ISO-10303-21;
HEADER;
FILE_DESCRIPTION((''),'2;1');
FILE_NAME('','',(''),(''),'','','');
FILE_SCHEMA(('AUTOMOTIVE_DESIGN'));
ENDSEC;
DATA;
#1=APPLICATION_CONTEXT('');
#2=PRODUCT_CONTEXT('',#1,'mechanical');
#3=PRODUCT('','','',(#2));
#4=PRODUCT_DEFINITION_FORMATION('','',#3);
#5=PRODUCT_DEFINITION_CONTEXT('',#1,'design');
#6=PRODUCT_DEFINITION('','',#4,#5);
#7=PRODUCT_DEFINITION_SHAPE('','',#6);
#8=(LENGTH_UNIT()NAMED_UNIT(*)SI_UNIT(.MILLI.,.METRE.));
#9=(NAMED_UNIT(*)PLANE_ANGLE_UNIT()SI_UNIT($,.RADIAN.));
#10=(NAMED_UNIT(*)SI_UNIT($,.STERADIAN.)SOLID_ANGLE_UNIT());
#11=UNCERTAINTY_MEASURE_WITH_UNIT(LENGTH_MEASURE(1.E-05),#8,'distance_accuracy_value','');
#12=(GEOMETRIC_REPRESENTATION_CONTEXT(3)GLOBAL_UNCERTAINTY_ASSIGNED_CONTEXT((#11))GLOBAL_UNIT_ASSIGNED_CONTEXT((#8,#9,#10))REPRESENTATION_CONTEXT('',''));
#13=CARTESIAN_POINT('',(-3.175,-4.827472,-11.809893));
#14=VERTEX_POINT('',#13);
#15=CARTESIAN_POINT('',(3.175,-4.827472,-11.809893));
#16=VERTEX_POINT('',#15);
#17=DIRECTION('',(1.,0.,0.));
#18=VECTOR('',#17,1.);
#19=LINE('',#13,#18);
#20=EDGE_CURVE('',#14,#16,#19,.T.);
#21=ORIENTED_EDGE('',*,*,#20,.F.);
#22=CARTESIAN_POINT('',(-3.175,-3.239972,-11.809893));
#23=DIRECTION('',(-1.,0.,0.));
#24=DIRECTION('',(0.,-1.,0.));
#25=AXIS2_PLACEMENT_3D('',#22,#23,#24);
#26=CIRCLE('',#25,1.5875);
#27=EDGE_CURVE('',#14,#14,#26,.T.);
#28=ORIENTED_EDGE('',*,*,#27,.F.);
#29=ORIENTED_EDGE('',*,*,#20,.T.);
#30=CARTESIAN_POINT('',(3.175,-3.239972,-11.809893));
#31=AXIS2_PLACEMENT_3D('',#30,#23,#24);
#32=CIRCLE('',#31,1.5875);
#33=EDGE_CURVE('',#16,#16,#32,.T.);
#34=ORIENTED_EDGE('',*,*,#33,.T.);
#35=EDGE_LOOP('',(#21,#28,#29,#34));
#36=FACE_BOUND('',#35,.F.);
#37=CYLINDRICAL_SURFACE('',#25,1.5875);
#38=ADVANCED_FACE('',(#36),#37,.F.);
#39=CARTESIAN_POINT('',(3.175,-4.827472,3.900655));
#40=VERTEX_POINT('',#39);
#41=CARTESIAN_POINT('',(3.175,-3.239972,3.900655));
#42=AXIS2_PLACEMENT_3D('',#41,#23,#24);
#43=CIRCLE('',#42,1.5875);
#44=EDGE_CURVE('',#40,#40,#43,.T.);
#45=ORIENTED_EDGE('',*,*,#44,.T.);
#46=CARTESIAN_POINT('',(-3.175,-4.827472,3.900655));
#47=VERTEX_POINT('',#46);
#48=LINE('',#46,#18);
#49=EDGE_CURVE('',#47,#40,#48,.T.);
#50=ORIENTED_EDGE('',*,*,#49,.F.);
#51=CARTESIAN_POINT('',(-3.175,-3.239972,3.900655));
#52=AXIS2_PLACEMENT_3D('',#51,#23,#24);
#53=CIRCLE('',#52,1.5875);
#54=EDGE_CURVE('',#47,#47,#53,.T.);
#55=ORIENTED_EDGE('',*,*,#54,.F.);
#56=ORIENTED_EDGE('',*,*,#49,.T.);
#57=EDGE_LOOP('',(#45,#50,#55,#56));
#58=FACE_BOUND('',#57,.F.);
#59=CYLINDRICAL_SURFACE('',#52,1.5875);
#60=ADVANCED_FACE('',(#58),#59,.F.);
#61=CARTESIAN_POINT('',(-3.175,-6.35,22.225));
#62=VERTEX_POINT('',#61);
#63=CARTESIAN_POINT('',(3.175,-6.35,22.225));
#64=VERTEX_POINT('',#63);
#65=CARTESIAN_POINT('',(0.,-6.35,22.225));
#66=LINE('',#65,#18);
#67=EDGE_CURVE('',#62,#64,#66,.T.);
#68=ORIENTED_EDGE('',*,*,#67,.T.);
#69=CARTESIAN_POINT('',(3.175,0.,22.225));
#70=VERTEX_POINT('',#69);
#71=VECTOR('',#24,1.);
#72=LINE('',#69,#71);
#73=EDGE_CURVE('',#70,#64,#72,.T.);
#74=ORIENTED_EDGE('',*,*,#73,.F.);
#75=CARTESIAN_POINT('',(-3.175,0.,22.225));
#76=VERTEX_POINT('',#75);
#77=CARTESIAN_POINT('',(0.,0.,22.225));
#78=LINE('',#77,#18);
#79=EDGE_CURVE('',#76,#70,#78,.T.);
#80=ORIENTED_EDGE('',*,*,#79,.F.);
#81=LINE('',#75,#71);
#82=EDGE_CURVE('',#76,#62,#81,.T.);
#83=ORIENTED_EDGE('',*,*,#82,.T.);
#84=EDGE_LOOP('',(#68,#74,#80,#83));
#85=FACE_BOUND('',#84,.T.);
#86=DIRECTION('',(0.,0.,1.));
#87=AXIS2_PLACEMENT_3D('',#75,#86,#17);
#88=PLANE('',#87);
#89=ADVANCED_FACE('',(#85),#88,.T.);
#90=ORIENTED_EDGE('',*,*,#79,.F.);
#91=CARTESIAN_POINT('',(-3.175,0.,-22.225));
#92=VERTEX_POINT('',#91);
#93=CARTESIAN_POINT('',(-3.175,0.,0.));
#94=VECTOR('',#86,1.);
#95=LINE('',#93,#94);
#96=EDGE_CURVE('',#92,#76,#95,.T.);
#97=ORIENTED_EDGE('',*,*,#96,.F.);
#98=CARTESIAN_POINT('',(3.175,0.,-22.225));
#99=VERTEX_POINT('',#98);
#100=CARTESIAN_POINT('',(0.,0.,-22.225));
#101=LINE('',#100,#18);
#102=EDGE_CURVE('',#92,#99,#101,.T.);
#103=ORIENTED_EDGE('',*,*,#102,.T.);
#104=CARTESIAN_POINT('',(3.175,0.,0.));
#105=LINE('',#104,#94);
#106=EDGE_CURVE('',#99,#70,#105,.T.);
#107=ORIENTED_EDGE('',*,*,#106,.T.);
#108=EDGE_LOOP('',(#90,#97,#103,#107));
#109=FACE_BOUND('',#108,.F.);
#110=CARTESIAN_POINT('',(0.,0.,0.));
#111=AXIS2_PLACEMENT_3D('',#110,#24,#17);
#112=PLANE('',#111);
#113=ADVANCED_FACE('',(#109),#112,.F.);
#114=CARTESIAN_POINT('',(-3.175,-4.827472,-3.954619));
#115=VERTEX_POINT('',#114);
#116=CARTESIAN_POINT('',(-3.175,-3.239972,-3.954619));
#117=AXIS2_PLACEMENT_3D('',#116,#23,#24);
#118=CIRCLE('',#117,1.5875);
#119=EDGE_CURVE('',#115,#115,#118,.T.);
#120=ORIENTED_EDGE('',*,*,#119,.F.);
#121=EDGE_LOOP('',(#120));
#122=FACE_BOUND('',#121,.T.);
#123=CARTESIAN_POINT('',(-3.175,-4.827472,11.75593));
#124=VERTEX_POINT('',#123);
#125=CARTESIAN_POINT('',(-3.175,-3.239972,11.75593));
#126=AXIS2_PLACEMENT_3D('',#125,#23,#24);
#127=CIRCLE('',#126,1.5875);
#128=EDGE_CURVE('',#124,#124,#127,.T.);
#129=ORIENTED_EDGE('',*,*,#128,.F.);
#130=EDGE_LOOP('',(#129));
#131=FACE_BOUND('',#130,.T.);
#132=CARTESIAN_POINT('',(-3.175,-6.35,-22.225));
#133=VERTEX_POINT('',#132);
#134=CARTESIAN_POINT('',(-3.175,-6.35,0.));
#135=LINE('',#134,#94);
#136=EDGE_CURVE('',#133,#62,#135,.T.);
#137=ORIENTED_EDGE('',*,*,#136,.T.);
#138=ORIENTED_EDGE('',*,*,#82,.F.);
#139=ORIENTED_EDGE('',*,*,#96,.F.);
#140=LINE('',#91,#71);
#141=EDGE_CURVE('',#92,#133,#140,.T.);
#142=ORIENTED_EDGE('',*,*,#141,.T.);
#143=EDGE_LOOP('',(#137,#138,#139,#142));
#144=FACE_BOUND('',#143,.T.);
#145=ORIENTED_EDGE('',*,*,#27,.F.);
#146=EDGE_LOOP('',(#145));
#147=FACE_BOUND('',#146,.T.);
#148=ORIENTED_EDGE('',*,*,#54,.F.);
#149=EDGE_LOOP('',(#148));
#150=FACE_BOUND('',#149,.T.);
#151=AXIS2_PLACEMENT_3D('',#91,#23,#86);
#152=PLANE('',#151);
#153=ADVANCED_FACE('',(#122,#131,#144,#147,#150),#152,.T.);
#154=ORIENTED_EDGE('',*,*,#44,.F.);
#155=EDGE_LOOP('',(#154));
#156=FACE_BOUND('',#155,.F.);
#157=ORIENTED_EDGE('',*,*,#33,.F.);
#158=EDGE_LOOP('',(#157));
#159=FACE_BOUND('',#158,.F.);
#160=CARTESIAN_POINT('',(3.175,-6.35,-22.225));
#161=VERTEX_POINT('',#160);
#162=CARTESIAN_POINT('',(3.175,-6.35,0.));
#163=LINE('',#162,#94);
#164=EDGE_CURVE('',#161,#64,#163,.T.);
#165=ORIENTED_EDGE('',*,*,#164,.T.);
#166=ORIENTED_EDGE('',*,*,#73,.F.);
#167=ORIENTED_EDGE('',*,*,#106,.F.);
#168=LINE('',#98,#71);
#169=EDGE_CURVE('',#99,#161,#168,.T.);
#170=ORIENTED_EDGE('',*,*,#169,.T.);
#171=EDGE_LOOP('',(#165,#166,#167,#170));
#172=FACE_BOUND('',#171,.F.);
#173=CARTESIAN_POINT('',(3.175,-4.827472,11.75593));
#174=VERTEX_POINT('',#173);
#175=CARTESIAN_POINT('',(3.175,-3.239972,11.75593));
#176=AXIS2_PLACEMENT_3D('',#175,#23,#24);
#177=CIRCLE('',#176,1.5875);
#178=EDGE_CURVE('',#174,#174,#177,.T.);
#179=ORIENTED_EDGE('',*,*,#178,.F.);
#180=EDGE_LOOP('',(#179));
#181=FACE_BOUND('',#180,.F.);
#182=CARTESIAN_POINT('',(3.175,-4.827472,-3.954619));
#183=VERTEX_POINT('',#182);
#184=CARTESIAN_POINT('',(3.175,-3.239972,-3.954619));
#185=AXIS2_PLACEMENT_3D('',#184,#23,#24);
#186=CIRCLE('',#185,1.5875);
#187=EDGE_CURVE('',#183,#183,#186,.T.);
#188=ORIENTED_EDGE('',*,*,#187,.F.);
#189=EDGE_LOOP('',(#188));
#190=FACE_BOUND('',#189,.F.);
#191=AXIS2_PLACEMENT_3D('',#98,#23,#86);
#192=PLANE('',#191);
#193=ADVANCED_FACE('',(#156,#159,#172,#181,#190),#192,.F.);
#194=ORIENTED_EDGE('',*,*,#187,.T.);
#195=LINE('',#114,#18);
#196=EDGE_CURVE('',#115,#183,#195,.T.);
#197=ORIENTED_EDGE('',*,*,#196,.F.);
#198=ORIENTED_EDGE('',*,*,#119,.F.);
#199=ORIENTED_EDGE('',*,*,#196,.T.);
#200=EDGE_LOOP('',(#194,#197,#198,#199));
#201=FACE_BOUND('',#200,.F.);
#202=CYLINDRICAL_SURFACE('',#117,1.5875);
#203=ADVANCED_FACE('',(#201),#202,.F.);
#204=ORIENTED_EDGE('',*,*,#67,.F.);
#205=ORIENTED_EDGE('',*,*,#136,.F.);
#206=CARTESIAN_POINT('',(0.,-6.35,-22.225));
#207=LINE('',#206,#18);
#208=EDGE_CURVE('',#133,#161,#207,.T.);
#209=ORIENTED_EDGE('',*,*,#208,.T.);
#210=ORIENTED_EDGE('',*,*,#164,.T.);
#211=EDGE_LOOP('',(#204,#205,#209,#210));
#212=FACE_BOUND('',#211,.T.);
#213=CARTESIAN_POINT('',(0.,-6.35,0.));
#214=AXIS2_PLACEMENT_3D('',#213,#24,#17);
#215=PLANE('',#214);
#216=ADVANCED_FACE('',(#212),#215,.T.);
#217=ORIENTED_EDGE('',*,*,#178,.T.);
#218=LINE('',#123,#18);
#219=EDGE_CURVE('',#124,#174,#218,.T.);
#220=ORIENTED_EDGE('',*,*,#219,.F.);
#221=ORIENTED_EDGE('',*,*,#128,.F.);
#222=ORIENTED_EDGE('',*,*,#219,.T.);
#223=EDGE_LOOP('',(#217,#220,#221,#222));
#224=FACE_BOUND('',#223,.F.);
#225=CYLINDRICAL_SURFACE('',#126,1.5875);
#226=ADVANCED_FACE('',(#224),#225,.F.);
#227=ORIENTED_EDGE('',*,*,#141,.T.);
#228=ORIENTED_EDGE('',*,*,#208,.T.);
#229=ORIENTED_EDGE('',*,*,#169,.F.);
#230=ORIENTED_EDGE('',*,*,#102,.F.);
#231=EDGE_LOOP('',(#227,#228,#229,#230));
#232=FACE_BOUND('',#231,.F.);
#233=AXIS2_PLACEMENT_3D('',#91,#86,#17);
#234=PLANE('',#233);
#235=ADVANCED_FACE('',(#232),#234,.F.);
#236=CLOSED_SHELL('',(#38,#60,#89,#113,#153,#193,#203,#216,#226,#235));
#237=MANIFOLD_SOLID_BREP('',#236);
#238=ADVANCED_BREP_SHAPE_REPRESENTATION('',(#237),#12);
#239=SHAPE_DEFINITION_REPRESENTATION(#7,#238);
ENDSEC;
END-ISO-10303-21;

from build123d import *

# Parameters (mm, degrees)
F0_W     = 6.35
F0_H     = 44.45
F1_DEPTH = 6.35
F2_R     = 1.5875
F3_DEPTH = 6.35


with BuildPart() as f1:
    # F0 (on Front) → F1 (new body)
    with BuildSketch(Plane.XZ):
        Rectangle(F0_W, F0_H)
    extrude(amount=F1_DEPTH)

    # F2 (on face) → F3 (cut)
    with BuildSketch(Plane(origin=(-3.175, 0, 0), x_dir=(0, -1, 0), z_dir=(-1, 0, 0))):
        with Locations((3.239972, 11.75593)):
            Circle(F2_R)
        with Locations((3.239972, 3.900655)):
            Circle(F2_R)
        with Locations((3.239972, -3.954619)):
            Circle(F2_R)
        with Locations((3.239972, -11.809893)):
            Circle(F2_R)
    extrude(amount=-F3_DEPTH, mode=Mode.SUBTRACT)


solid = f1.part
